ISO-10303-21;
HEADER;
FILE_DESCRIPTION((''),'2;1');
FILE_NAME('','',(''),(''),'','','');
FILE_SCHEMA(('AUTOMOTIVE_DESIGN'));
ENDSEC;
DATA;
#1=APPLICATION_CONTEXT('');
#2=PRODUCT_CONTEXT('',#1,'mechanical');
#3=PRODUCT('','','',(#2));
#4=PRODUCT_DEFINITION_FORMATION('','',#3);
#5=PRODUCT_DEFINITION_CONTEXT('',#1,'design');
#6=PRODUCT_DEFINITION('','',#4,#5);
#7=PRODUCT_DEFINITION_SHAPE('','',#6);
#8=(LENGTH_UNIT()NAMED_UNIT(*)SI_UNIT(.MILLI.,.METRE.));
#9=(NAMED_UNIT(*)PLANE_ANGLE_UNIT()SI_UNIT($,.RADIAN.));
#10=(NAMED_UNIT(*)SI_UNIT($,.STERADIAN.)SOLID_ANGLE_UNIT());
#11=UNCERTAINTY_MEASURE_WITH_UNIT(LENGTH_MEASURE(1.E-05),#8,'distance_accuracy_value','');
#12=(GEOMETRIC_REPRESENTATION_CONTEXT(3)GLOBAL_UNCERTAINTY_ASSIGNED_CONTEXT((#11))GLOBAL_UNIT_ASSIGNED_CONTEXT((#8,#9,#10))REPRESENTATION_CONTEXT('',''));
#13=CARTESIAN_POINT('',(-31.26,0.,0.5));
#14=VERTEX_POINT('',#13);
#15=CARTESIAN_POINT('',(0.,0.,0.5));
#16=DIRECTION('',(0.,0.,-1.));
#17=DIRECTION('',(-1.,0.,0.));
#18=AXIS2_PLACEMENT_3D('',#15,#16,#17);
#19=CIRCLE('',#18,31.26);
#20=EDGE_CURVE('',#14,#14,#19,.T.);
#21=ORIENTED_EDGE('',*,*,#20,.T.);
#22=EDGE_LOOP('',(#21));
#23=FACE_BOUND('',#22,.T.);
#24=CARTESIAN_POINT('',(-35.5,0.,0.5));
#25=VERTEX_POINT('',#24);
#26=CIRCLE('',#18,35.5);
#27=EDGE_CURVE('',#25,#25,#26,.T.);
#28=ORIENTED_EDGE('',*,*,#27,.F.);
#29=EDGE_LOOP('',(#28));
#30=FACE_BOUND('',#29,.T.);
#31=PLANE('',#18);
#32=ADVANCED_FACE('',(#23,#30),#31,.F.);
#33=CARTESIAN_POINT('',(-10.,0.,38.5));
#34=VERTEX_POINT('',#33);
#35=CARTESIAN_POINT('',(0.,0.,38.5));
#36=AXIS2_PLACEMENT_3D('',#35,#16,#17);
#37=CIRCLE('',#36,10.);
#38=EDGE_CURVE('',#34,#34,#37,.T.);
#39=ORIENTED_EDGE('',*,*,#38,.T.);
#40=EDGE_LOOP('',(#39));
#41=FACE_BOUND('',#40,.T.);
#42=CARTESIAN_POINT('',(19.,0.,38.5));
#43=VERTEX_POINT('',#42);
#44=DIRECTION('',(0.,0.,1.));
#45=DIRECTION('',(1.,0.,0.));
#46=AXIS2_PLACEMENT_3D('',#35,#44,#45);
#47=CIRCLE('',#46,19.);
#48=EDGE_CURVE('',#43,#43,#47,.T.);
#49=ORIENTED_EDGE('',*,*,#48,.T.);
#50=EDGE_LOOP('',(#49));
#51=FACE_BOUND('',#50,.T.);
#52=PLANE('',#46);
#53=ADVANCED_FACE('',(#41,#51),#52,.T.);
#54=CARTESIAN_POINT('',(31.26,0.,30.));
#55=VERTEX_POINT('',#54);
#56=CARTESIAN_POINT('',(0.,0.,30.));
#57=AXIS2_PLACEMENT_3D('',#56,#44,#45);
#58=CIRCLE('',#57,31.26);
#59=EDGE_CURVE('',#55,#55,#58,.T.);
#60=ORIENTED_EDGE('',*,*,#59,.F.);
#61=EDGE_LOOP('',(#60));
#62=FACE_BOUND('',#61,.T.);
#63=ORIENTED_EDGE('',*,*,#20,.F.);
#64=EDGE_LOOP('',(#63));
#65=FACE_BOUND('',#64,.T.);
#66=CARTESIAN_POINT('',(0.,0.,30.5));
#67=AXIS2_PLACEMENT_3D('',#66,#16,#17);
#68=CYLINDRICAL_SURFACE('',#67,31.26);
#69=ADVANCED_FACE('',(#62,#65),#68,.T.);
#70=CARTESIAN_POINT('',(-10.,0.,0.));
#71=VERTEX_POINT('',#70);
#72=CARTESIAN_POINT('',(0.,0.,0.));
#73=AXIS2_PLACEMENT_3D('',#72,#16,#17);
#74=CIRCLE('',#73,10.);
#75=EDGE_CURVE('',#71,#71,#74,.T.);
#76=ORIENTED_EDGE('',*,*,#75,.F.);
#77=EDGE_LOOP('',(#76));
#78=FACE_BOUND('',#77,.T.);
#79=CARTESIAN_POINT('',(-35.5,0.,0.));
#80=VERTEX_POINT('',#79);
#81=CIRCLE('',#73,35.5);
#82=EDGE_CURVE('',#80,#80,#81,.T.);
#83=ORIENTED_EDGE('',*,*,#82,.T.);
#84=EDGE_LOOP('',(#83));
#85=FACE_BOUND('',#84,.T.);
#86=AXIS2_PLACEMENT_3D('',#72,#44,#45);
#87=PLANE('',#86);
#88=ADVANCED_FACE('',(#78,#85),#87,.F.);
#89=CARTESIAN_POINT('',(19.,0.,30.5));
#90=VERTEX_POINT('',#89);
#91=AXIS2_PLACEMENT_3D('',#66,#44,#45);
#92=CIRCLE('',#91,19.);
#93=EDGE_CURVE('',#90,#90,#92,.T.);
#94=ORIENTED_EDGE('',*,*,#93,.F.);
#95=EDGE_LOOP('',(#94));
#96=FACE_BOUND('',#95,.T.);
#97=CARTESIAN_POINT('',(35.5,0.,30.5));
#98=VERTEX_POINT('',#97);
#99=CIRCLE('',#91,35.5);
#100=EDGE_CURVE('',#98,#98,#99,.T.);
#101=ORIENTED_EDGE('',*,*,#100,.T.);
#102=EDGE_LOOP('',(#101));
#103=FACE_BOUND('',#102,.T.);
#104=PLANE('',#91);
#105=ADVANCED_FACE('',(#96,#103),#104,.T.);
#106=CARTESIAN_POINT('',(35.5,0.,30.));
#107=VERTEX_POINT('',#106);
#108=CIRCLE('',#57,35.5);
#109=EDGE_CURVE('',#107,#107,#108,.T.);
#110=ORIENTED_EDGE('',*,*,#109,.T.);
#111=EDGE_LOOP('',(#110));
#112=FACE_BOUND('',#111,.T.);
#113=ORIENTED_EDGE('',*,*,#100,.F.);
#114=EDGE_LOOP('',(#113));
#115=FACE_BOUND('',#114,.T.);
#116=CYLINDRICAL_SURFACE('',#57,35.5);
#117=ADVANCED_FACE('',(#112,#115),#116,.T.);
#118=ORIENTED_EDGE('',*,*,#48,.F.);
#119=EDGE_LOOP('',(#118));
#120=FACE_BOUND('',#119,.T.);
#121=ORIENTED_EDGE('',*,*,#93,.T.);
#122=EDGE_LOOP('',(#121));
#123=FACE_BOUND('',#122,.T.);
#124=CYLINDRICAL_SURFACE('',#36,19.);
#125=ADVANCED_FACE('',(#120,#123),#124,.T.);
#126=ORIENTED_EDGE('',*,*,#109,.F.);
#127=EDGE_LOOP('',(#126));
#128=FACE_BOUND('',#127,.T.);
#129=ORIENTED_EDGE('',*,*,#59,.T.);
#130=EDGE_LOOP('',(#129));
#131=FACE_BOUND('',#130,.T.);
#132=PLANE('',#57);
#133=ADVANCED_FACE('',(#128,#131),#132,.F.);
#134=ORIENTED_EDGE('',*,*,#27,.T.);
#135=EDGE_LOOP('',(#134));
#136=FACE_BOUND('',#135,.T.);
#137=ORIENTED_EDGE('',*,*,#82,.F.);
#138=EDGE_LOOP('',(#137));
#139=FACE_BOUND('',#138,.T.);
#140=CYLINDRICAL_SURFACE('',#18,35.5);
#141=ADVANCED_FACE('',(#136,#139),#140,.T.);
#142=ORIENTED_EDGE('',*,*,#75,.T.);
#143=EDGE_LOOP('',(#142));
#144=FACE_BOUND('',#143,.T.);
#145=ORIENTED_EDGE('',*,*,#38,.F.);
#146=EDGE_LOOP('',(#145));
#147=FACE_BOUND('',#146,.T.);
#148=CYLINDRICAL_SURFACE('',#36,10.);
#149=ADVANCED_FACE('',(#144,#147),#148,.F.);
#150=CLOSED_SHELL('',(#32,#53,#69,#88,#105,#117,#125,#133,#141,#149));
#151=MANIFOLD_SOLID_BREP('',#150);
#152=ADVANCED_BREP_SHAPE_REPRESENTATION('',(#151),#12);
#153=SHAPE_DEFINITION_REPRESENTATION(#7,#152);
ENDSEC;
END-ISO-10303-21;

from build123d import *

# Parameters (mm, degrees)
SZKIC1_R                    = 31.26
DODANIE_WYCI_GNI_CIE1_DEPTH = 30.5
SZKIC2_R                    = 19
DODANIE_WYCI_GNI_CIE2_DEPTH = 8
SZKIC3_R                    = 35.5
DODANIE_WYCI_GNI_CIE3_DEPTH = 0.5
SZKIC7_R                    = 35.5
DODANIE_WYCI_GNI_CIE4_DEPTH = 0.5
SZKIC8_R                    = 10
WYTNIJ_WYCI_GNI_CIE4_DEPTH  = 39.5


with BuildPart() as part:
    # Szkic1 → Dodanie-wyciągnięcie1 (new body)
    with BuildSketch(Plane.XY):
        Circle(SZKIC1_R)
    extrude(amount=DODANIE_WYCI_GNI_CIE1_DEPTH)

    # Szkic2 → Dodanie-wyciągnięcie2 (add)
    with BuildSketch(Plane.XY.offset(30.5)):
        Circle(SZKIC2_R)
    extrude(amount=DODANIE_WYCI_GNI_CIE2_DEPTH)

    # Szkic3 → Dodanie-wyciągnięcie3 (add)
    with BuildSketch(Plane.XY.offset(30.5)):
        Circle(SZKIC3_R)
    extrude(amount=-DODANIE_WYCI_GNI_CIE3_DEPTH)

    # Szkic7 → Dodanie-wyciągnięcie4 (add)
    with BuildSketch(Plane(origin=(0, 0, 0), x_dir=(-1, 0, 0), z_dir=(0, 0, -1))):
        Circle(SZKIC7_R)
    extrude(amount=-DODANIE_WYCI_GNI_CIE4_DEPTH)

    # Szkic8 → Wytnij-wyciągnięcie4 (cut, through all)
    with BuildSketch(Plane(origin=(0, 0, 0), x_dir=(-1, 0, 0), z_dir=(0, 0, -1))):
        Circle(SZKIC8_R)
    extrude(amount=-WYTNIJ_WYCI_GNI_CIE4_DEPTH, mode=Mode.SUBTRACT)


solid = part.part
